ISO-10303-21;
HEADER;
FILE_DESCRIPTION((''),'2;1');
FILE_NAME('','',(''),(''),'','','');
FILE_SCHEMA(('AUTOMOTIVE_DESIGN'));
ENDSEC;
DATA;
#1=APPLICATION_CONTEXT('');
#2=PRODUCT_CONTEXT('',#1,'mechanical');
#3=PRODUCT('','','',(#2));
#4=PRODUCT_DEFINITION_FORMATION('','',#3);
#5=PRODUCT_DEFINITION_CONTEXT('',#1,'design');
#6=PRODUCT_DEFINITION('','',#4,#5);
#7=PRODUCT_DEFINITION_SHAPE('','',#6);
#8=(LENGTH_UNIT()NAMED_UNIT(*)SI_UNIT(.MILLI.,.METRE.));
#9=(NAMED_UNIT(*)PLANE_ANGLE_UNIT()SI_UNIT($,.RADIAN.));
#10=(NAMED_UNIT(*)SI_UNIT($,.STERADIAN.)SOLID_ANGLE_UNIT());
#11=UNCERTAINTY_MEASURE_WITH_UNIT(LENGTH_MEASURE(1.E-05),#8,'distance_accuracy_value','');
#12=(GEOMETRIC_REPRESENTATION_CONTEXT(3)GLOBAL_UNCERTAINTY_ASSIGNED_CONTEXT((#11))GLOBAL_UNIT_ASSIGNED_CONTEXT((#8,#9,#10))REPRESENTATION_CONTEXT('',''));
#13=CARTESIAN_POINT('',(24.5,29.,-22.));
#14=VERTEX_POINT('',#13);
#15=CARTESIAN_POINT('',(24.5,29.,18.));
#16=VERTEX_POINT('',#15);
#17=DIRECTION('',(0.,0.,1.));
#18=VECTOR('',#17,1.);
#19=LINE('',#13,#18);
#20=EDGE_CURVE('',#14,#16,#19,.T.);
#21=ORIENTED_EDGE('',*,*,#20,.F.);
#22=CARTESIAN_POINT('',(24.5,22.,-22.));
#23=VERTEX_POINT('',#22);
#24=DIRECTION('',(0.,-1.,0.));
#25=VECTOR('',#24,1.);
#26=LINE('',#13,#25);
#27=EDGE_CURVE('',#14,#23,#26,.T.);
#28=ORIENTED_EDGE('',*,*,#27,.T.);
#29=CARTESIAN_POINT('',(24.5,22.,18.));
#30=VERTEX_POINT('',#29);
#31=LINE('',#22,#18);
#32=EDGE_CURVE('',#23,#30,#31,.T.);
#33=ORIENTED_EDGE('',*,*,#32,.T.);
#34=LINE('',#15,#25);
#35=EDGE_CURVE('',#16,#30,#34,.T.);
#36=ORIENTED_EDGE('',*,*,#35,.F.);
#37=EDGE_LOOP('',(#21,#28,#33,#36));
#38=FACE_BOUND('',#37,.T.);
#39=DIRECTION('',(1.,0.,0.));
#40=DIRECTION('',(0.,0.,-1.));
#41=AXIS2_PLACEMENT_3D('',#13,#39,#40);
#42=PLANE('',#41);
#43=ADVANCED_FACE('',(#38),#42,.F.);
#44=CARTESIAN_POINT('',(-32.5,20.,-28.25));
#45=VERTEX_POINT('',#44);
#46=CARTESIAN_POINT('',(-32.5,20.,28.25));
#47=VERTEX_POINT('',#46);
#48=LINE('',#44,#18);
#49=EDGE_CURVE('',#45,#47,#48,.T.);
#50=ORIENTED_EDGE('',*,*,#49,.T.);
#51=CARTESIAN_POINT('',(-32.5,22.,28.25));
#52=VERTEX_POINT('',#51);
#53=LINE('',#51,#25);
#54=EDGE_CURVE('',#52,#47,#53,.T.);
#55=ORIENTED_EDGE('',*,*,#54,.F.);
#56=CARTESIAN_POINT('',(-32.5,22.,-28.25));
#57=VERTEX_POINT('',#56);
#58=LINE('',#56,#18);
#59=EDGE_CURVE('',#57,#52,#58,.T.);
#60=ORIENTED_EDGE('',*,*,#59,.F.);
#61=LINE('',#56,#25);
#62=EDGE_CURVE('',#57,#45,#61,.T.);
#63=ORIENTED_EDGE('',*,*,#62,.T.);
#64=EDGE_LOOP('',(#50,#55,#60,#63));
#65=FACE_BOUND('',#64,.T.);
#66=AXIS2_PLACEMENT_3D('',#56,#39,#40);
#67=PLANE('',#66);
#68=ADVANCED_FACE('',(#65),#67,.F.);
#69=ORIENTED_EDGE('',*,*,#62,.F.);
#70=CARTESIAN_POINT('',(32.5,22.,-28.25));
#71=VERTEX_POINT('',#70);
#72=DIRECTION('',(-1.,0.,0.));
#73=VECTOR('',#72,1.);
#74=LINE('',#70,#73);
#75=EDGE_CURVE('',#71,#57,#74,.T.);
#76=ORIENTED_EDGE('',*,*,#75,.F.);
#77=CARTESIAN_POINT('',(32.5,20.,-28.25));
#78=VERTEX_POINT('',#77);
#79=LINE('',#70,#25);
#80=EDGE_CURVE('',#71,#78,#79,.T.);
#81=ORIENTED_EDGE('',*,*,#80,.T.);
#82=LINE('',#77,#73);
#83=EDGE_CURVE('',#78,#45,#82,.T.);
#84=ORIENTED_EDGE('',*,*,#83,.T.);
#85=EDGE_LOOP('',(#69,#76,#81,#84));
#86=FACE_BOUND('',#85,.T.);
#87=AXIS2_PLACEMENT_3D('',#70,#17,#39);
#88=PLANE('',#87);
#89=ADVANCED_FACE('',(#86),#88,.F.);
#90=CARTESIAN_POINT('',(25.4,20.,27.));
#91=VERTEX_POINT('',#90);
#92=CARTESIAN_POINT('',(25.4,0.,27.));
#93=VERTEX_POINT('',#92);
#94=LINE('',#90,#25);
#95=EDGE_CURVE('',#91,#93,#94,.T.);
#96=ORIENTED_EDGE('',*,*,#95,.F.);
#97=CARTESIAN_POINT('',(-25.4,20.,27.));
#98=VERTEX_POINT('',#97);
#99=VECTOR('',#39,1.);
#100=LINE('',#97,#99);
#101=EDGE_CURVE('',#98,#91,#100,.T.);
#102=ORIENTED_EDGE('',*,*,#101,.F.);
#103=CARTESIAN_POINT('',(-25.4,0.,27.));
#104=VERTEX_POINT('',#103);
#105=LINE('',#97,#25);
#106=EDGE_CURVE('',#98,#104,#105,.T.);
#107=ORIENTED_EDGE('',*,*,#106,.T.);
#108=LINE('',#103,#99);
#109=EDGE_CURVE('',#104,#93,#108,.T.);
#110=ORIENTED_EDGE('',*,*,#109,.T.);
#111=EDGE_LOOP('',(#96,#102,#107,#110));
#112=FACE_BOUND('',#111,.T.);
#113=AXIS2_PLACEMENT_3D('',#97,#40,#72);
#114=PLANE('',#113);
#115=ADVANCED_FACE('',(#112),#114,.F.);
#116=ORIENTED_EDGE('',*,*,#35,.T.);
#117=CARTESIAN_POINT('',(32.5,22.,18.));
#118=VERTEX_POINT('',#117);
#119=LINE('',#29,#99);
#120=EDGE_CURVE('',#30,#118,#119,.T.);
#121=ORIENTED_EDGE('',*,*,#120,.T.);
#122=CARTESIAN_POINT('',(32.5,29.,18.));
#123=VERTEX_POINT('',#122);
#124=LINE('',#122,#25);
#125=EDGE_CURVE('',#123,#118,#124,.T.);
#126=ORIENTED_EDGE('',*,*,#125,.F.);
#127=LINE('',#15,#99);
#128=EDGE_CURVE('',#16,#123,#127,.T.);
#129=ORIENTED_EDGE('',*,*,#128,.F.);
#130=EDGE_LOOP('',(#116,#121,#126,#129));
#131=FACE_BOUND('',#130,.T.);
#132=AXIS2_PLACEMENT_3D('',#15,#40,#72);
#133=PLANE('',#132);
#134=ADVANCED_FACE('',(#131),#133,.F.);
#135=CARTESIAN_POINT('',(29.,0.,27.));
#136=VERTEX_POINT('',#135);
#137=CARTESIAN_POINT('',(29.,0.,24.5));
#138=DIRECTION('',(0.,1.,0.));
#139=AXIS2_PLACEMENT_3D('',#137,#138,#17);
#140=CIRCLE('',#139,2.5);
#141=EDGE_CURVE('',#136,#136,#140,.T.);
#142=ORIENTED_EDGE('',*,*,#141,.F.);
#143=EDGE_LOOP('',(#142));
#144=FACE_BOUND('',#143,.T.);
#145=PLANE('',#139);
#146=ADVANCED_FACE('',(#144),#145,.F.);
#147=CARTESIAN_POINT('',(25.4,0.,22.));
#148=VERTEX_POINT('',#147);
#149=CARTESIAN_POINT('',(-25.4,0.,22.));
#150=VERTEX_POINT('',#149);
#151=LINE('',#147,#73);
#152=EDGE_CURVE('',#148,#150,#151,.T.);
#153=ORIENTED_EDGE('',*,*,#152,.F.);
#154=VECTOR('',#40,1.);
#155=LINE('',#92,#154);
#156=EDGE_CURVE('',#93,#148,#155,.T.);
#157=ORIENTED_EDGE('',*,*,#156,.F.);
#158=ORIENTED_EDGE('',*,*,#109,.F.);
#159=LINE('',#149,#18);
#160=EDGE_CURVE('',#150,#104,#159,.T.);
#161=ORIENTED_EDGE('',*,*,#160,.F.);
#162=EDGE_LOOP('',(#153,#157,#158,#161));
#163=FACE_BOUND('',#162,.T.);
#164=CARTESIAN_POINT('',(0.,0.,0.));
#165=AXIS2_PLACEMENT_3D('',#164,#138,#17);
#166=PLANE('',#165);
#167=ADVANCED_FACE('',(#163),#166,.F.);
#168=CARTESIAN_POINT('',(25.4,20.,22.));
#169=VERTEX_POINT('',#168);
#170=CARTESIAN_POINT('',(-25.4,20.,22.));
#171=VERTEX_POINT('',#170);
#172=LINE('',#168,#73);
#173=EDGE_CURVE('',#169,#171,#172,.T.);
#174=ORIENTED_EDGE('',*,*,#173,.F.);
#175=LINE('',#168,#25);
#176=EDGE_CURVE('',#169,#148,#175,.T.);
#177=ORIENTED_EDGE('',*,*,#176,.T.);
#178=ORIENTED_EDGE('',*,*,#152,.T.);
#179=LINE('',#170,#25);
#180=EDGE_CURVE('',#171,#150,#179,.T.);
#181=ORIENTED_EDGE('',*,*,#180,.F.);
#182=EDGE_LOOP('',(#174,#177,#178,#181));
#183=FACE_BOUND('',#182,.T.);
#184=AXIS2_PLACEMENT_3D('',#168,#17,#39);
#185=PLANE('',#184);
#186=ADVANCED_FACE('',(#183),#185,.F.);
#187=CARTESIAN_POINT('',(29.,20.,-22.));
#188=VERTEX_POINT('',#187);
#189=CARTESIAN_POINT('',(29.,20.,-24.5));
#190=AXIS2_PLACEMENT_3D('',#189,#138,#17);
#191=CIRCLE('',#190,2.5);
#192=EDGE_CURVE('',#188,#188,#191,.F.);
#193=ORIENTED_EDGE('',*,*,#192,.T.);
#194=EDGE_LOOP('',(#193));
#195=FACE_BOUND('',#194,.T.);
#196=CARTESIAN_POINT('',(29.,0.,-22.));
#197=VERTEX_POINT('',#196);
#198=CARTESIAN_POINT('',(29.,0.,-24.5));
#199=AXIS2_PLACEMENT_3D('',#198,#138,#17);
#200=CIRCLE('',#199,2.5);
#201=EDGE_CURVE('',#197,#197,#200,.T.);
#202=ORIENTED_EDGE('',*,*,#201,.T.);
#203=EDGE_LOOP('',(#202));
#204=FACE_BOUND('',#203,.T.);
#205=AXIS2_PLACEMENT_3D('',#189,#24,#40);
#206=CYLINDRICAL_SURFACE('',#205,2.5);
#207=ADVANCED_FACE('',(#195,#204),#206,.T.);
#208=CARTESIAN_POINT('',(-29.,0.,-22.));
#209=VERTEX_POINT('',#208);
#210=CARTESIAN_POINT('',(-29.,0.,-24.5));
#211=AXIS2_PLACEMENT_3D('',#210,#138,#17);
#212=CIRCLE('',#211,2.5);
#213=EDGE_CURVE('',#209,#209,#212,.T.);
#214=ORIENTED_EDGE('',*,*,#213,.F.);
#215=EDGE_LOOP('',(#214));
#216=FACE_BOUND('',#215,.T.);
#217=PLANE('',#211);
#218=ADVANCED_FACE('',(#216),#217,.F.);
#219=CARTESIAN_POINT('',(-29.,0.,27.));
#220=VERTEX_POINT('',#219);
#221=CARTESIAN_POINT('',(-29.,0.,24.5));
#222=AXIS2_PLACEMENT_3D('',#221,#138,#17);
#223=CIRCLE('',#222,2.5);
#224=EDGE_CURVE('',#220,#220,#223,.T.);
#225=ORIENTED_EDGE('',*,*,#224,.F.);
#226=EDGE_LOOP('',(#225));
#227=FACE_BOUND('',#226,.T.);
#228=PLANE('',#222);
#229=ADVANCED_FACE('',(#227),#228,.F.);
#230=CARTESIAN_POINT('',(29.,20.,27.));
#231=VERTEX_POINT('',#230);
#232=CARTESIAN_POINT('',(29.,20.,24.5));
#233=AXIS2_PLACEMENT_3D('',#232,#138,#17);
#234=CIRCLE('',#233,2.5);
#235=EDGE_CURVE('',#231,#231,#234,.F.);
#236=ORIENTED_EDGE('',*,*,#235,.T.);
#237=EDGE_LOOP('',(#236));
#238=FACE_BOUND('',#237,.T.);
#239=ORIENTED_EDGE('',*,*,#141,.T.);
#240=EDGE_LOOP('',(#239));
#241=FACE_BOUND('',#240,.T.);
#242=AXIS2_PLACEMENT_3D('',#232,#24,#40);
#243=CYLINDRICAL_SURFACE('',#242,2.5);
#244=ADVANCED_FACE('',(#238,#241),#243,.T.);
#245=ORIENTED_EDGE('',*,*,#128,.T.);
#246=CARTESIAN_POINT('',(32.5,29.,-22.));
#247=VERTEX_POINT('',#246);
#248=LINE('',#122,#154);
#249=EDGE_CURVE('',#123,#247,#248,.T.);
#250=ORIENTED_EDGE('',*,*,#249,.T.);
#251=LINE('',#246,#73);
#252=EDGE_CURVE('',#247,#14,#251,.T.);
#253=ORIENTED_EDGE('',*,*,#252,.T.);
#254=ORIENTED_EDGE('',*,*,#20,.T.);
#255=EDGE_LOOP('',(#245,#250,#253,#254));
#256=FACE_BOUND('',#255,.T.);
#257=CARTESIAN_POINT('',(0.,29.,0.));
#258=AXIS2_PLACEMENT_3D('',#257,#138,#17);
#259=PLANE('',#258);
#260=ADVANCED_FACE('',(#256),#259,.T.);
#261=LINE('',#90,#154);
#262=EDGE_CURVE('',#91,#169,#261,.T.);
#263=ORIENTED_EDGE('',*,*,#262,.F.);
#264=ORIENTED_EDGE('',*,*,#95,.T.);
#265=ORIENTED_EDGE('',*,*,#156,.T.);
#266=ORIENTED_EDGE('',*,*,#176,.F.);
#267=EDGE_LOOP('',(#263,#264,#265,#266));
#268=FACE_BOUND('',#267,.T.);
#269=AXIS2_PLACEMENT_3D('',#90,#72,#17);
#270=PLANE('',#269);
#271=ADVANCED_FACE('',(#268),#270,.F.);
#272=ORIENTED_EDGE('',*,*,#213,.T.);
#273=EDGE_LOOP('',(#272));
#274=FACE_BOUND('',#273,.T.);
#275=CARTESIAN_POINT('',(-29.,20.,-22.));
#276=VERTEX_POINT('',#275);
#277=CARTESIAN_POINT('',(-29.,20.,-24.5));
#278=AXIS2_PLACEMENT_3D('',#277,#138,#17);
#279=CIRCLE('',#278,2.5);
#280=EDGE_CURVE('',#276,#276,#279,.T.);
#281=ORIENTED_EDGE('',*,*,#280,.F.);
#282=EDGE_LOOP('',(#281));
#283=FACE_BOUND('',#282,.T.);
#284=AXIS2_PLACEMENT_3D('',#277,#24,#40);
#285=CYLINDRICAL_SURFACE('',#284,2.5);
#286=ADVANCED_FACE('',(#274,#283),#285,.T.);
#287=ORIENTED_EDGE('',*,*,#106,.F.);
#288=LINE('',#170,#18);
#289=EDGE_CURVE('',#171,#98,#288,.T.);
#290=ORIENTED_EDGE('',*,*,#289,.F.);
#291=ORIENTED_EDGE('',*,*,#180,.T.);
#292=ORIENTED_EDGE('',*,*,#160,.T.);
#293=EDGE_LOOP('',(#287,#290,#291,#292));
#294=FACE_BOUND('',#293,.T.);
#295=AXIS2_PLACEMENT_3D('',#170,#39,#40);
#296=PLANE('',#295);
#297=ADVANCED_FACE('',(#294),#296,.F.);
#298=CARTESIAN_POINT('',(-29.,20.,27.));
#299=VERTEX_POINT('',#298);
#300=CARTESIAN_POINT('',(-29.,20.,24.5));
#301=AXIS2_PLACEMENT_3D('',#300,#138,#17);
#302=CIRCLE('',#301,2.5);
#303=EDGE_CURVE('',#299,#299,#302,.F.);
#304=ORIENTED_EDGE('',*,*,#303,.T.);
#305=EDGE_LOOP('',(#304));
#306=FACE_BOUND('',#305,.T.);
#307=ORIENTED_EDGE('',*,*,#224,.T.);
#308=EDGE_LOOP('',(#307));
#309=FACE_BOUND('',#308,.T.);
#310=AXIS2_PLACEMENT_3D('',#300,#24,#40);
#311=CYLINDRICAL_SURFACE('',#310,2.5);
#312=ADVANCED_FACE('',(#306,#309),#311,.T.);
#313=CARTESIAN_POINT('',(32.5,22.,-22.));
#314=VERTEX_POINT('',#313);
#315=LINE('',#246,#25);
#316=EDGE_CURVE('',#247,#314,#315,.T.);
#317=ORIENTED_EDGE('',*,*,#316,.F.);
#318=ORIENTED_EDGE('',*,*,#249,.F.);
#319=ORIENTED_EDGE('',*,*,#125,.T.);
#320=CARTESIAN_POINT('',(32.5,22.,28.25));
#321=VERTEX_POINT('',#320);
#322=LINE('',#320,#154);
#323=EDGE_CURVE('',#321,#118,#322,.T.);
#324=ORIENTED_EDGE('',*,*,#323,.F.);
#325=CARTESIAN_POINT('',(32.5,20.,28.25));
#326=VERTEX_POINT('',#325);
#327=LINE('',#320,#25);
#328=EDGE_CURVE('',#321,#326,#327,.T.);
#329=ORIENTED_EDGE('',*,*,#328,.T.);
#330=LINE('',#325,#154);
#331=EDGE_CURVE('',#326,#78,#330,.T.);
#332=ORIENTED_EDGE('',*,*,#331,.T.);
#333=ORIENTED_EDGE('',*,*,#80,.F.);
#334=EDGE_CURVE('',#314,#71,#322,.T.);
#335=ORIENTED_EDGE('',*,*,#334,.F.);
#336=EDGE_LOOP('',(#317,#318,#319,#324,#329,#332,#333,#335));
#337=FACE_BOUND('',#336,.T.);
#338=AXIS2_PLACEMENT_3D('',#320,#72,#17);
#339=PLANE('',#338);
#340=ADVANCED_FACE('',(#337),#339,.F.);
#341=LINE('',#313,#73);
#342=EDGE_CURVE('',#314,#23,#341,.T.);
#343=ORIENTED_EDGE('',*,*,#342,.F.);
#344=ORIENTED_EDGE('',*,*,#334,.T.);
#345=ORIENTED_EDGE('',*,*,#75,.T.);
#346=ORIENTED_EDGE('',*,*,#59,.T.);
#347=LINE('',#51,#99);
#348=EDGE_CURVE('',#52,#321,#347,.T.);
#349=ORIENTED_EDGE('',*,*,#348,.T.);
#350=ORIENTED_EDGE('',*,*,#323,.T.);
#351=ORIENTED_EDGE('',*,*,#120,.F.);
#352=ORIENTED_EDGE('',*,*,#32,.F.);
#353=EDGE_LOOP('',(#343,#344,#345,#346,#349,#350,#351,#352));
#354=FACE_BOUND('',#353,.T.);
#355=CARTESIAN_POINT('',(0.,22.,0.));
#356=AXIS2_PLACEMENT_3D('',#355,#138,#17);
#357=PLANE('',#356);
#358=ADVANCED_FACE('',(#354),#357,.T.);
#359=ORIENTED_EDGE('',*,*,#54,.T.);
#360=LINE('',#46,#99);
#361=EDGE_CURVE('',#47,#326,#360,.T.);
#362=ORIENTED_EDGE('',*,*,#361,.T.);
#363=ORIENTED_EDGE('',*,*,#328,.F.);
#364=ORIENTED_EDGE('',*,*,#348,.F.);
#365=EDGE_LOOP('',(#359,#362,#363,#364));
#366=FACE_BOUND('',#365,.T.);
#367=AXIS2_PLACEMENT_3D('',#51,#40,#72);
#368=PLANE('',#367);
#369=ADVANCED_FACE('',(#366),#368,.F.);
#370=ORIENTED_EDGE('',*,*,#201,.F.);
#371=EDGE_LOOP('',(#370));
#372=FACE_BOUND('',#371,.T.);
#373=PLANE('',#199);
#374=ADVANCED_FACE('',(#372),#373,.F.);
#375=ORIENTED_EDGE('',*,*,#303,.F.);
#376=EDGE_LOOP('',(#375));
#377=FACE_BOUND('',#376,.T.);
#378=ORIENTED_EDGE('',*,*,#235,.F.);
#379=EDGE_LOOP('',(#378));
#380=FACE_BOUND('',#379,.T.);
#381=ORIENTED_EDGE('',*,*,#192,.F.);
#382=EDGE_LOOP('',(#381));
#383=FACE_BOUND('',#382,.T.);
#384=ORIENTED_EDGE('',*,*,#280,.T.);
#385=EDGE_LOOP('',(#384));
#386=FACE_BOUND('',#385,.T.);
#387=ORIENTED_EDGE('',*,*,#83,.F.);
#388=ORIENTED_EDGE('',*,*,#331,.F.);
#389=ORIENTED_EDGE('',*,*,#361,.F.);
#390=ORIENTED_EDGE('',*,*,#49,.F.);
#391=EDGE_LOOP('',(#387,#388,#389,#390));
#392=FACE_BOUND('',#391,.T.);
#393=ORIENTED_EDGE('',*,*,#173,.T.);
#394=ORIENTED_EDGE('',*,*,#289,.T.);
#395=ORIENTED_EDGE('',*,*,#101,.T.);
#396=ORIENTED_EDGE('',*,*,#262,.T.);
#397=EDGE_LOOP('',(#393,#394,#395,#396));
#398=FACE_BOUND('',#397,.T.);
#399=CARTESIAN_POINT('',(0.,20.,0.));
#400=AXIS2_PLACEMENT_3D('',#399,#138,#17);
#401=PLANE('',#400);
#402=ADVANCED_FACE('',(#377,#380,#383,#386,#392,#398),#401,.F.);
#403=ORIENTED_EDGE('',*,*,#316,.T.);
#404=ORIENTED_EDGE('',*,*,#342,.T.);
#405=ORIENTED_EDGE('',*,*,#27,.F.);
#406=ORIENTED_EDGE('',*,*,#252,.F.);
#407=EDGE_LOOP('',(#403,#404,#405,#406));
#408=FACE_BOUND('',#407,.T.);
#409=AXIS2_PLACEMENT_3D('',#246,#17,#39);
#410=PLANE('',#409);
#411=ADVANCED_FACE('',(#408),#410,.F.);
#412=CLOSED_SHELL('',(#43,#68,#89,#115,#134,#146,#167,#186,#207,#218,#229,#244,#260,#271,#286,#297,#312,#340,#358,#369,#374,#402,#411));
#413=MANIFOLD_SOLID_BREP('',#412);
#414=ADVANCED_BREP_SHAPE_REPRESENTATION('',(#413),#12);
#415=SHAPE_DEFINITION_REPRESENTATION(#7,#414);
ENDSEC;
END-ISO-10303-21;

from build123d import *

# Parameters (mm, degrees)
SK_P01_STANDOFF_R                  = 2.5
P01_STANDOFF_DEPTH                 = 20
SK_P02_STANDOFF_R                  = 2.5
P02_STANDOFF_DEPTH                 = 20
SK_P03_STANDOFF_R                  = 2.5
P03_STANDOFF_DEPTH                 = 20
SK_P04_STANDOFF_R                  = 2.5
P04_STANDOFF_DEPTH                 = 20
P05_PERMAPROTOHAT35MMFANCUTO_START = 20
SK_P05_PERMAPROTOHAT35MMFANCUTO_W  = 65
SK_P05_PERMAPROTOHAT35MMFANCUTO_H  = 56.5
P05_PERMAPROTOHAT35MMFANCUTO_DEPTH = 2
SK_P06_STACKINGHEADER_W            = 50.8
SK_P06_STACKINGHEADER_H            = 5
P06_STACKINGHEADER_DEPTH           = 20
P07_JSTXHHEADERSVERTICAL_START     = 22
SK_P07_JSTXHHEADERSVERTICAL_W      = 8
SK_P07_JSTXHHEADERSVERTICAL_H      = 40
P07_JSTXHHEADERSVERTICAL_DEPTH     = 7


with BuildPart() as part:
    # SK_P01_Standoff → P01_Standoff (new body)
    with BuildSketch(Plane(origin=(0, 0, 0), x_dir=(1, 0, 0), z_dir=(0, 1, 0))):
        with Locations(Location((-29, 24.5, 0), (0, 0, 270))):
            Circle(SK_P01_STANDOFF_R)
    extrude(amount=P01_STANDOFF_DEPTH)



with BuildPart() as body_2:
    # SK_P02_Standoff → P02_Standoff (new body)
    with BuildSketch(Plane(origin=(0, 0, 0), x_dir=(1, 0, 0), z_dir=(0, 1, 0))):
        with Locations(Location((-29, -24.5, 0), (0, 0, 270))):
            Circle(SK_P02_STANDOFF_R)
    extrude(amount=P02_STANDOFF_DEPTH)


with BuildPart() as body_3:
    # SK_P03_Standoff → P03_Standoff (new body)
    with BuildSketch(Plane(origin=(0, 0, 0), x_dir=(1, 0, 0), z_dir=(0, 1, 0))):
        with Locations(Location((29, 24.5, 0), (0, 0, 270))):
            Circle(SK_P03_STANDOFF_R)
    extrude(amount=P03_STANDOFF_DEPTH)


with BuildPart() as body_4:
    # SK_P04_Standoff → P04_Standoff (new body)
    with BuildSketch(Plane(origin=(0, 0, 0), x_dir=(1, 0, 0), z_dir=(0, 1, 0))):
        with Locations(Location((29, -24.5, 0), (0, 0, 270))):
            Circle(SK_P04_STANDOFF_R)
    extrude(amount=P04_STANDOFF_DEPTH)


with BuildPart() as part_1:
    add(part.part)

    add(body_2.part)  # P05_PermaProtoHAT35mmfancuto merges body 2

    add(body_3.part)  # P05_PermaProtoHAT35mmfancuto merges body 3

    add(body_4.part)  # P05_PermaProtoHAT35mmfancuto merges body 4
    # SK_P05_PermaProtoHAT35mmfancuto → P05_PermaProtoHAT35mmfancuto (add)
    with BuildSketch(Plane(origin=(0, 0, 0), x_dir=(1, 0, 0), z_dir=(0, 1, 0)).offset(P05_PERMAPROTOHAT35MMFANCUTO_START)):
        Rectangle(SK_P05_PERMAPROTOHAT35MMFANCUTO_W, SK_P05_PERMAPROTOHAT35MMFANCUTO_H)
    extrude(amount=P05_PERMAPROTOHAT35MMFANCUTO_DEPTH)

    # SK_P06_Stackingheader → P06_Stackingheader (add)
    with BuildSketch(Plane(origin=(0, 0, 0), x_dir=(1, 0, 0), z_dir=(0, 1, 0))):
        with Locations((0, -24.5)):
            Rectangle(SK_P06_STACKINGHEADER_W, SK_P06_STACKINGHEADER_H)
    extrude(amount=P06_STACKINGHEADER_DEPTH)

    # SK_P07_JSTXHheadersvertical → P07_JSTXHheadersvertical (add)
    with BuildSketch(Plane(origin=(0, 0, 0), x_dir=(1, 0, 0), z_dir=(0, 1, 0)).offset(P07_JSTXHHEADERSVERTICAL_START)):
        with Locations((28.5, 2)):
            Rectangle(SK_P07_JSTXHHEADERSVERTICAL_W, SK_P07_JSTXHHEADERSVERTICAL_H)
    extrude(amount=P07_JSTXHHEADERSVERTICAL_DEPTH)


solid = part_1.part
